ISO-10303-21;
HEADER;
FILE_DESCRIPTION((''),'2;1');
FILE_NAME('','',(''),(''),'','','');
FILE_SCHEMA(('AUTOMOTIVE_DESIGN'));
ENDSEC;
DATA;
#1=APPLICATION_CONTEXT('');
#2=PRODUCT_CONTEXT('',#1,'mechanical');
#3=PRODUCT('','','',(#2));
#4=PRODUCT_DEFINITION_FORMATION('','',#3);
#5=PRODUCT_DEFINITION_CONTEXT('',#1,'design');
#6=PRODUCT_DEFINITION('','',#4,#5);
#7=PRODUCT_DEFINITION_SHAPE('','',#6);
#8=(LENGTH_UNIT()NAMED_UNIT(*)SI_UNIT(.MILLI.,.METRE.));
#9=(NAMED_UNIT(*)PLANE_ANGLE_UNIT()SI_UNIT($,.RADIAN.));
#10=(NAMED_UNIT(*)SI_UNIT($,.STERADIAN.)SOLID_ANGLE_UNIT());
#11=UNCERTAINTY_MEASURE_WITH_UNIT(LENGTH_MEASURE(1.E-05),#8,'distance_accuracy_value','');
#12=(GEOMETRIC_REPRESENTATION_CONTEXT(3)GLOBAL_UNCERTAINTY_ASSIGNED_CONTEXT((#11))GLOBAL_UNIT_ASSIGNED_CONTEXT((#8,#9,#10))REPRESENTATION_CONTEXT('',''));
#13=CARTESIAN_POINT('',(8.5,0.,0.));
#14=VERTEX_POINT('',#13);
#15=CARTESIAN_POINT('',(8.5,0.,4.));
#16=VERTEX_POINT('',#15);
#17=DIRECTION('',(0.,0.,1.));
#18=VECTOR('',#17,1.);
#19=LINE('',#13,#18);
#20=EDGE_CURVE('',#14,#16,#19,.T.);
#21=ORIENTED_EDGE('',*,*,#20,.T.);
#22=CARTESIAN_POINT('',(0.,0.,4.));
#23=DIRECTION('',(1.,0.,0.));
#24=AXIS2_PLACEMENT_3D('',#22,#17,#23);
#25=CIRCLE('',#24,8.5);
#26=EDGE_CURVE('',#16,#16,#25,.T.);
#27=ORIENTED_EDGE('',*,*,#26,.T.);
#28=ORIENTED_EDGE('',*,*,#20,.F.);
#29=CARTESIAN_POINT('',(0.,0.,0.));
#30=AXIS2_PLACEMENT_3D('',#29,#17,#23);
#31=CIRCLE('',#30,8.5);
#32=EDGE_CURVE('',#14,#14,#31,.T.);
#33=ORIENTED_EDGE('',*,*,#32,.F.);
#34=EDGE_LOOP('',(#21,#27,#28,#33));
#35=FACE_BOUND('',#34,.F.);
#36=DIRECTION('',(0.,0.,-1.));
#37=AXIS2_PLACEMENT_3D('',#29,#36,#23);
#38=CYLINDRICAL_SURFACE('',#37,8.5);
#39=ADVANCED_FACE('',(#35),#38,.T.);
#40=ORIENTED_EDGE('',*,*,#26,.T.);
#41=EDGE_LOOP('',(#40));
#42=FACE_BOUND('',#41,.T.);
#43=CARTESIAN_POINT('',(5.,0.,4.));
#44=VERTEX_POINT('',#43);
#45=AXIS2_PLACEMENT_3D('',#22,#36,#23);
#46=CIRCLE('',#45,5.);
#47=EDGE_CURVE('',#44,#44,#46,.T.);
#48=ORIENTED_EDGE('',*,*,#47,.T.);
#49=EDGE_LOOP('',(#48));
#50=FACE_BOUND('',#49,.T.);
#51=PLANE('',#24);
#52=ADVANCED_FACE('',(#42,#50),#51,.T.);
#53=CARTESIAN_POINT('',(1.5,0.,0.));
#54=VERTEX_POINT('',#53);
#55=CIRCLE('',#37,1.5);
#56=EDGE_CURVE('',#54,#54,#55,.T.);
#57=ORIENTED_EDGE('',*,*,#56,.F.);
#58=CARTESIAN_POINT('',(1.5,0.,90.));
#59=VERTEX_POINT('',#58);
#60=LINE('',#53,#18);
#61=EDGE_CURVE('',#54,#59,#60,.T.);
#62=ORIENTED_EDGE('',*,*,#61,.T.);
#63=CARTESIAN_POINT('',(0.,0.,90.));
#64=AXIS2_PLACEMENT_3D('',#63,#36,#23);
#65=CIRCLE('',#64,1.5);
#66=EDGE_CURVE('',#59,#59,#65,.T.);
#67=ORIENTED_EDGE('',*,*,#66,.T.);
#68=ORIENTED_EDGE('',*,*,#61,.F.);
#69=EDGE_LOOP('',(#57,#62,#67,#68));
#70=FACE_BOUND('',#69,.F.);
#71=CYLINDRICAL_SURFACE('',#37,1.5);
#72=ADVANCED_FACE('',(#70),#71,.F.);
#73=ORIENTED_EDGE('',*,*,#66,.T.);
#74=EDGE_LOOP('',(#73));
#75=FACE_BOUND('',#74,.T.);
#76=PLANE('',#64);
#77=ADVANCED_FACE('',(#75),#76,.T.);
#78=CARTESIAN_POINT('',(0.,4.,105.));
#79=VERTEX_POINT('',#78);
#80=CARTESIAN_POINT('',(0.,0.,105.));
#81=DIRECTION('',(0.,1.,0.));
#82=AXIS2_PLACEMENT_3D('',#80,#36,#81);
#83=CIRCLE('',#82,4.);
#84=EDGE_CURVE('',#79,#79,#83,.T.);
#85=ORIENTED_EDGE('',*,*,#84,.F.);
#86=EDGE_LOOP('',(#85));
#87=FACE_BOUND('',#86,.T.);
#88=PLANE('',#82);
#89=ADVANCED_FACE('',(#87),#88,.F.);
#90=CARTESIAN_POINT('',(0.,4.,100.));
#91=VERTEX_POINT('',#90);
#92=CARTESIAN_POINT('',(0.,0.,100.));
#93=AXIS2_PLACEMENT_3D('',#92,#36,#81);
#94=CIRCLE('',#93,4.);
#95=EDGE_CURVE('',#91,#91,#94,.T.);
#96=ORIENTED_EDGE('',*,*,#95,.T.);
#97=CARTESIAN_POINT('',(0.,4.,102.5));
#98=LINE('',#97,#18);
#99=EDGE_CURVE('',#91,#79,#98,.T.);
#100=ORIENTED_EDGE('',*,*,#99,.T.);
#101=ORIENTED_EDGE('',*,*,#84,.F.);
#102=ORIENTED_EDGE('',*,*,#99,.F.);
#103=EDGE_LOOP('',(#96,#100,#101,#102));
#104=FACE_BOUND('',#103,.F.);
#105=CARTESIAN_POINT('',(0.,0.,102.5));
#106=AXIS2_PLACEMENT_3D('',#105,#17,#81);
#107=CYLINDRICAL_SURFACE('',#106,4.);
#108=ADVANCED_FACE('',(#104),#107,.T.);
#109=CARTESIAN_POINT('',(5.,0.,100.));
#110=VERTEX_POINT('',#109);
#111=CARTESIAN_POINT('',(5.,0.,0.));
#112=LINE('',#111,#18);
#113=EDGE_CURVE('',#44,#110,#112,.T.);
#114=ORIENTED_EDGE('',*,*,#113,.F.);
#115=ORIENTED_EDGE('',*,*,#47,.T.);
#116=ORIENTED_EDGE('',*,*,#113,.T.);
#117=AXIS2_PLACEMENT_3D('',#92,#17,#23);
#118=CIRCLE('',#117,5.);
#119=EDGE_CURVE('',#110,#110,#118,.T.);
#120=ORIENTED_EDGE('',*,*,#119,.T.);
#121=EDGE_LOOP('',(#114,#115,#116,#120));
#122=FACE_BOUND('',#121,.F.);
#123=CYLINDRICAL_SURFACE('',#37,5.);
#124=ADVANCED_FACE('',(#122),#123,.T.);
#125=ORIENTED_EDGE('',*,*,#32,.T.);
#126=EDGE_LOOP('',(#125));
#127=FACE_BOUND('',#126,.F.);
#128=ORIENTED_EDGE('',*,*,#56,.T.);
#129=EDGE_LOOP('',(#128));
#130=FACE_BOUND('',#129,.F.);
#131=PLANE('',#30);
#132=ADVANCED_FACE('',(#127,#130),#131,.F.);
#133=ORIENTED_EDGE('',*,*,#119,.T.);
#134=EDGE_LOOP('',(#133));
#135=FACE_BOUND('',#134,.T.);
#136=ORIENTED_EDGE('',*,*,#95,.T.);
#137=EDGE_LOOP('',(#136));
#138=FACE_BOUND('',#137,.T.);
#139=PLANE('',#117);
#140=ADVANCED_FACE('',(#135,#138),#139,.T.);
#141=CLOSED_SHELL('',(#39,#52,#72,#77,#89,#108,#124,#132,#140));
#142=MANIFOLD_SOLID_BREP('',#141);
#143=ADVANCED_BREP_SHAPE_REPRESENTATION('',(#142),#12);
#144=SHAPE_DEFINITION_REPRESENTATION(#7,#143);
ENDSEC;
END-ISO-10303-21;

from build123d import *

# Parameters (mm, degrees)
F0_R     = 8.5
F1_DEPTH = 4
F2_R     = 5
F3_DEPTH = 100
F4_W     = 4
F4_H     = 5
F6_R     = 1.5
F7_DEPTH = 90


with BuildPart() as f1:
    # F0 (on Top) → F1 (new body)
    with BuildSketch(Plane.XY):
        Circle(F0_R)
    extrude(amount=F1_DEPTH)

    # F2 (on Top) → F3 (join)
    with BuildSketch(Plane.XY):
        Circle(F2_R)
    extrude(amount=F3_DEPTH)

    # F4 (on Right) → F5 (revolve)
    with BuildSketch(Plane.YZ):
        with Locations((2, 102.5)):
            Rectangle(F4_W, F4_H)
    revolve(axis=Axis((0, 0, 102.5), (0, 0, -1)))

    # F6 (on face) → F7 (cut)
    with BuildSketch(Plane(origin=(0, 0, 0), x_dir=(1, 0, 0), z_dir=(0, 0, -1))):
        Circle(F6_R)
    extrude(amount=-F7_DEPTH, mode=Mode.SUBTRACT)


solid = f1.part
